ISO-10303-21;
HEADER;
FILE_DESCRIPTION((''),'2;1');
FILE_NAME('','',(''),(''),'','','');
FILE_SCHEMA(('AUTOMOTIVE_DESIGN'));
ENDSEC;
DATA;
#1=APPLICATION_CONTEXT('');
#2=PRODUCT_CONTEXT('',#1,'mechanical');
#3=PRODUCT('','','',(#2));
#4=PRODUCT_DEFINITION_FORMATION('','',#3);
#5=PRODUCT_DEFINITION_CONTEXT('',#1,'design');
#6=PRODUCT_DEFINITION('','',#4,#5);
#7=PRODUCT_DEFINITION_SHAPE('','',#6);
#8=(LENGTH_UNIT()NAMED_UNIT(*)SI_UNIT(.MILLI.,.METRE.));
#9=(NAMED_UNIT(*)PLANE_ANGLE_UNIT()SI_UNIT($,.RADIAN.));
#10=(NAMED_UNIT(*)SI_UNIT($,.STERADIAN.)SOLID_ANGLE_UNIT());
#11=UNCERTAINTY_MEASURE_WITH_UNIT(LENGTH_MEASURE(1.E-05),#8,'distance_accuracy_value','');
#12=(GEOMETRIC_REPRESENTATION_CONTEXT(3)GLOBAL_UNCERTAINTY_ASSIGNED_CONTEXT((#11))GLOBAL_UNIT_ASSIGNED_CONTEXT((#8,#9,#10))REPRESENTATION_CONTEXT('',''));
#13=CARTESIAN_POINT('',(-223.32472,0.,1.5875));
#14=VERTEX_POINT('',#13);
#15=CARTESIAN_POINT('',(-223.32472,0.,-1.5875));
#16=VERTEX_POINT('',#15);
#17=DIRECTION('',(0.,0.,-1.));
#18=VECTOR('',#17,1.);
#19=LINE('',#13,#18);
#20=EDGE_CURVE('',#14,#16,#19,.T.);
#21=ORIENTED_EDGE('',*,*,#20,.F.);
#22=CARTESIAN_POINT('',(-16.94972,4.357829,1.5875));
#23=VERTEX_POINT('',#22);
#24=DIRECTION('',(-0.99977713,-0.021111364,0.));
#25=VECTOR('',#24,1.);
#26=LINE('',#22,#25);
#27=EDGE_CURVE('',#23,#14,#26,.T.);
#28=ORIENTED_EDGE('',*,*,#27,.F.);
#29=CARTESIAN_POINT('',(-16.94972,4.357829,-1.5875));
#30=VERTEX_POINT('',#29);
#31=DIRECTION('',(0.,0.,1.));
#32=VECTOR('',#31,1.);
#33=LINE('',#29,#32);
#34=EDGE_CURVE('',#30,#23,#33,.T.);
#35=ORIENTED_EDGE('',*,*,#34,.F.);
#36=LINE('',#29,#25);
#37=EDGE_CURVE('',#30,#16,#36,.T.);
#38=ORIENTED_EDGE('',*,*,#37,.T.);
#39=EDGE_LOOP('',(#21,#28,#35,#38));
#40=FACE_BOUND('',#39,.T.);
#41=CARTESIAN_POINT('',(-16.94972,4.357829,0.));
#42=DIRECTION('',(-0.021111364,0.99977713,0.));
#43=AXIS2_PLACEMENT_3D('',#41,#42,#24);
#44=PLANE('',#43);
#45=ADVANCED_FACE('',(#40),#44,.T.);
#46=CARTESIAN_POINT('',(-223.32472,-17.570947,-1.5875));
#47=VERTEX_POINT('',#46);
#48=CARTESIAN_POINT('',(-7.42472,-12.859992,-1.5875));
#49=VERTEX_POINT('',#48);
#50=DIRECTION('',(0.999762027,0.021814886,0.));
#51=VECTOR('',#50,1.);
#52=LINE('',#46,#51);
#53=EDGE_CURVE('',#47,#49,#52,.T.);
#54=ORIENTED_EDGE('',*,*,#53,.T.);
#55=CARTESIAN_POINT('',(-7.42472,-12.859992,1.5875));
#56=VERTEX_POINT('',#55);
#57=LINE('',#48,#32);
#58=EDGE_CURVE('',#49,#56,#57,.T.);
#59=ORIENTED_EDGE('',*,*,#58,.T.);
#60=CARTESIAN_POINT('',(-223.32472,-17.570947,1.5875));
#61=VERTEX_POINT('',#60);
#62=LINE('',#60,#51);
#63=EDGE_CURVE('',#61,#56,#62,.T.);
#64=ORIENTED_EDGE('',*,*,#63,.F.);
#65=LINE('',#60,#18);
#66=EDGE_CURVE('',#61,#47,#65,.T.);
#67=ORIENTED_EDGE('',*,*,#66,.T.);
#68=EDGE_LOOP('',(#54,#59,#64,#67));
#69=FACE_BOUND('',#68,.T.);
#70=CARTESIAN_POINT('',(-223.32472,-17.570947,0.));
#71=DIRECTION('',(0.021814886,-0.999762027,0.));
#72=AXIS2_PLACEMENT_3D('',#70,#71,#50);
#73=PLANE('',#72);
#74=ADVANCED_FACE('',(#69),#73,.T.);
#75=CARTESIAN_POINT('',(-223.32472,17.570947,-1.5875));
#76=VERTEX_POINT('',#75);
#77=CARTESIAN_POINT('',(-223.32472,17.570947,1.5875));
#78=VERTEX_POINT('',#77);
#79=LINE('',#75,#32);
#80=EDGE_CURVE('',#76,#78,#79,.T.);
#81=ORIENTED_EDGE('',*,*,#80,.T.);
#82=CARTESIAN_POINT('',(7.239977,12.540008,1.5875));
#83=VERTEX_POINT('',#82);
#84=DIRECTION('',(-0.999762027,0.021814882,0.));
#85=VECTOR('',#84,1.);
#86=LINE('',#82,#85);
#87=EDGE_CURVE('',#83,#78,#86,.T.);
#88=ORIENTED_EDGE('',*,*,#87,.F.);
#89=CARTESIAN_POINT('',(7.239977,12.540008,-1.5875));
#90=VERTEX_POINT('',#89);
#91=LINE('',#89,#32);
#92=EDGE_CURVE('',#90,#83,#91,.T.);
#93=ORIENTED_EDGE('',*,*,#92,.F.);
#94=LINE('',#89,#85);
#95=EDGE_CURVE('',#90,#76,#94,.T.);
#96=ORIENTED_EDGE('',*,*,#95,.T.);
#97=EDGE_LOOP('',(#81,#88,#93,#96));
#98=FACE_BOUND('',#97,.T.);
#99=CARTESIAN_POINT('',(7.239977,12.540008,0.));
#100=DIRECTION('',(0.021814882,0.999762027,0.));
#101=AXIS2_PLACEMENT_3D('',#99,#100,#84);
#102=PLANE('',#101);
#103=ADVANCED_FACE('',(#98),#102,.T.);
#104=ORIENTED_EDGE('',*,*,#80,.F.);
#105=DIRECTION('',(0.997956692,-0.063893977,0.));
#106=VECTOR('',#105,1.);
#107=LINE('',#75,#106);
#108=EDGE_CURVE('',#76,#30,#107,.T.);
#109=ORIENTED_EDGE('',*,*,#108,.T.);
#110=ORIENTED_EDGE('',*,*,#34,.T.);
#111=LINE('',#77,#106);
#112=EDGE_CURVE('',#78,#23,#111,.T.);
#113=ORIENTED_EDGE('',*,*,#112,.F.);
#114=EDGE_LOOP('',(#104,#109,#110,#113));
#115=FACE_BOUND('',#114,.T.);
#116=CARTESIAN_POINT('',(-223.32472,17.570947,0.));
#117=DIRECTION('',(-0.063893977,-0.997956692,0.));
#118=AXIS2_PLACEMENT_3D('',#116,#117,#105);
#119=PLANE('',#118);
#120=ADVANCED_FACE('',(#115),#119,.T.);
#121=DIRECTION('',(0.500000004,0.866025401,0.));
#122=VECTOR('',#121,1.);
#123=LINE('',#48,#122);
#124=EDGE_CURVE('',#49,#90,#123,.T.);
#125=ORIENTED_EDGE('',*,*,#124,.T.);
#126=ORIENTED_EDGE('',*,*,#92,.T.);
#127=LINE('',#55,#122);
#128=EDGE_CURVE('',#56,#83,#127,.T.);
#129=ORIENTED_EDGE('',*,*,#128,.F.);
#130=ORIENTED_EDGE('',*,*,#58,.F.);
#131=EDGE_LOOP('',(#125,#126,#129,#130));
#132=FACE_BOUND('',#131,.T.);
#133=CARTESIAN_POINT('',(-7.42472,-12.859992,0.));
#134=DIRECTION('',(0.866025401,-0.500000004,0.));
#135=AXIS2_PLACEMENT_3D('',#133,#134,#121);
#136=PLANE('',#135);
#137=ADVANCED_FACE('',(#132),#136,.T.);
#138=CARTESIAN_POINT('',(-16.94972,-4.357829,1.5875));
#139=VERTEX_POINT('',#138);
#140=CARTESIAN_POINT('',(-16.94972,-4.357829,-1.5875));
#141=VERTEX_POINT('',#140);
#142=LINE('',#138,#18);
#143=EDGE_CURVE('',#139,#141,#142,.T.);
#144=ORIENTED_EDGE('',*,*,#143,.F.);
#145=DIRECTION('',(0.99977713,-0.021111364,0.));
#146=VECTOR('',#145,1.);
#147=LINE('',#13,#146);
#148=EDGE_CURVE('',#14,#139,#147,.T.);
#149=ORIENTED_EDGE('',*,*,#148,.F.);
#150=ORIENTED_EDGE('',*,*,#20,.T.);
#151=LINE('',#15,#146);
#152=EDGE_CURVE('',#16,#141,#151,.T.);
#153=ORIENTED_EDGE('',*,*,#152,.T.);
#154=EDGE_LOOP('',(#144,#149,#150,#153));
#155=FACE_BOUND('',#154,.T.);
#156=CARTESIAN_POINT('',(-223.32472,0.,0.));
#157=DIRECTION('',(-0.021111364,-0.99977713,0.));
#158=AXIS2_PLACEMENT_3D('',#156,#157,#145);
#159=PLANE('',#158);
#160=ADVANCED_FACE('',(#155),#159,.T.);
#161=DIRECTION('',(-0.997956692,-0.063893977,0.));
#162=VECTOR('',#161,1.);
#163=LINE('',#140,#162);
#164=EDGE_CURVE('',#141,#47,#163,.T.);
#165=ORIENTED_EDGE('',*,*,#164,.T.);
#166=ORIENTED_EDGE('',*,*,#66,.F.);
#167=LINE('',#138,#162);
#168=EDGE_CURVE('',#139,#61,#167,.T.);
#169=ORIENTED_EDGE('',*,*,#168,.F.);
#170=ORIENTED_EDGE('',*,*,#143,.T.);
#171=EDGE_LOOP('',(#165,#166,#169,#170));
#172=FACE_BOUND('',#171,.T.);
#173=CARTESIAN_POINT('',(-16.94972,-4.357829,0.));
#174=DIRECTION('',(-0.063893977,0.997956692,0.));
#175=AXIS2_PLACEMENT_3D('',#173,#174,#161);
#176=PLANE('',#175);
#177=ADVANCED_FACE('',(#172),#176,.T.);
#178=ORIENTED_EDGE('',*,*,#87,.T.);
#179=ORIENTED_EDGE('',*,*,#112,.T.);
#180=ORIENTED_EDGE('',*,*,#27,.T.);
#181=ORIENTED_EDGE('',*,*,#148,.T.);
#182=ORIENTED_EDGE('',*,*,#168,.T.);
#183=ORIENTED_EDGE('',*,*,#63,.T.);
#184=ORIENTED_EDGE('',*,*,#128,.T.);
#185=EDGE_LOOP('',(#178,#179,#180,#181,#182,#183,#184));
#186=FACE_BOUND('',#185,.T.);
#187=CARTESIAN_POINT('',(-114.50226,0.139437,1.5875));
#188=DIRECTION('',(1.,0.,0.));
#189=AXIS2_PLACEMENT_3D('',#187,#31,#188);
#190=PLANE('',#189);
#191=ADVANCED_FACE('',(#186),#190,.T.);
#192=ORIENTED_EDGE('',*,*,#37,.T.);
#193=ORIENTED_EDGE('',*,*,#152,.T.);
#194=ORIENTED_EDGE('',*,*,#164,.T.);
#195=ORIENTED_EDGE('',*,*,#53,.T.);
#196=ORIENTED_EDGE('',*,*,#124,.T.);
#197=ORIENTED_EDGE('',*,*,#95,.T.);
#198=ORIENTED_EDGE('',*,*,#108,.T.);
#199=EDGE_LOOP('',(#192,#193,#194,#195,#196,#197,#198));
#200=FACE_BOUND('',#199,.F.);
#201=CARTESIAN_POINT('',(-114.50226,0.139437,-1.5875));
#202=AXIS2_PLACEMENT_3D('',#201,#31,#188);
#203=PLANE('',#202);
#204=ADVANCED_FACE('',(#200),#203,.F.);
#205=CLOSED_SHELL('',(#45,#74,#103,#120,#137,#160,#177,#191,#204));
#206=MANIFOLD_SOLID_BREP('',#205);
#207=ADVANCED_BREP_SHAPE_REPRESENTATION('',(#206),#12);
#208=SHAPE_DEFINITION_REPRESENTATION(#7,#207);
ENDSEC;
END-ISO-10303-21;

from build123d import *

# Parameters (mm, degrees)
F1_DEPTH = 1.5875


with BuildPart() as f1:
    # F0 (on Top) → F1 (new body, symmetric)
    with BuildSketch(Plane.XY):
        Polygon((-223.32472, -17.570947), (-7.42472, -12.859992), (7.239977, 12.540008), (-223.32472, 17.570947), (-16.94972, 4.357829), (-223.32472, 0), (-16.94972, -4.357829), align=None)
    extrude(amount=F1_DEPTH, both=True)


solid = f1.part
